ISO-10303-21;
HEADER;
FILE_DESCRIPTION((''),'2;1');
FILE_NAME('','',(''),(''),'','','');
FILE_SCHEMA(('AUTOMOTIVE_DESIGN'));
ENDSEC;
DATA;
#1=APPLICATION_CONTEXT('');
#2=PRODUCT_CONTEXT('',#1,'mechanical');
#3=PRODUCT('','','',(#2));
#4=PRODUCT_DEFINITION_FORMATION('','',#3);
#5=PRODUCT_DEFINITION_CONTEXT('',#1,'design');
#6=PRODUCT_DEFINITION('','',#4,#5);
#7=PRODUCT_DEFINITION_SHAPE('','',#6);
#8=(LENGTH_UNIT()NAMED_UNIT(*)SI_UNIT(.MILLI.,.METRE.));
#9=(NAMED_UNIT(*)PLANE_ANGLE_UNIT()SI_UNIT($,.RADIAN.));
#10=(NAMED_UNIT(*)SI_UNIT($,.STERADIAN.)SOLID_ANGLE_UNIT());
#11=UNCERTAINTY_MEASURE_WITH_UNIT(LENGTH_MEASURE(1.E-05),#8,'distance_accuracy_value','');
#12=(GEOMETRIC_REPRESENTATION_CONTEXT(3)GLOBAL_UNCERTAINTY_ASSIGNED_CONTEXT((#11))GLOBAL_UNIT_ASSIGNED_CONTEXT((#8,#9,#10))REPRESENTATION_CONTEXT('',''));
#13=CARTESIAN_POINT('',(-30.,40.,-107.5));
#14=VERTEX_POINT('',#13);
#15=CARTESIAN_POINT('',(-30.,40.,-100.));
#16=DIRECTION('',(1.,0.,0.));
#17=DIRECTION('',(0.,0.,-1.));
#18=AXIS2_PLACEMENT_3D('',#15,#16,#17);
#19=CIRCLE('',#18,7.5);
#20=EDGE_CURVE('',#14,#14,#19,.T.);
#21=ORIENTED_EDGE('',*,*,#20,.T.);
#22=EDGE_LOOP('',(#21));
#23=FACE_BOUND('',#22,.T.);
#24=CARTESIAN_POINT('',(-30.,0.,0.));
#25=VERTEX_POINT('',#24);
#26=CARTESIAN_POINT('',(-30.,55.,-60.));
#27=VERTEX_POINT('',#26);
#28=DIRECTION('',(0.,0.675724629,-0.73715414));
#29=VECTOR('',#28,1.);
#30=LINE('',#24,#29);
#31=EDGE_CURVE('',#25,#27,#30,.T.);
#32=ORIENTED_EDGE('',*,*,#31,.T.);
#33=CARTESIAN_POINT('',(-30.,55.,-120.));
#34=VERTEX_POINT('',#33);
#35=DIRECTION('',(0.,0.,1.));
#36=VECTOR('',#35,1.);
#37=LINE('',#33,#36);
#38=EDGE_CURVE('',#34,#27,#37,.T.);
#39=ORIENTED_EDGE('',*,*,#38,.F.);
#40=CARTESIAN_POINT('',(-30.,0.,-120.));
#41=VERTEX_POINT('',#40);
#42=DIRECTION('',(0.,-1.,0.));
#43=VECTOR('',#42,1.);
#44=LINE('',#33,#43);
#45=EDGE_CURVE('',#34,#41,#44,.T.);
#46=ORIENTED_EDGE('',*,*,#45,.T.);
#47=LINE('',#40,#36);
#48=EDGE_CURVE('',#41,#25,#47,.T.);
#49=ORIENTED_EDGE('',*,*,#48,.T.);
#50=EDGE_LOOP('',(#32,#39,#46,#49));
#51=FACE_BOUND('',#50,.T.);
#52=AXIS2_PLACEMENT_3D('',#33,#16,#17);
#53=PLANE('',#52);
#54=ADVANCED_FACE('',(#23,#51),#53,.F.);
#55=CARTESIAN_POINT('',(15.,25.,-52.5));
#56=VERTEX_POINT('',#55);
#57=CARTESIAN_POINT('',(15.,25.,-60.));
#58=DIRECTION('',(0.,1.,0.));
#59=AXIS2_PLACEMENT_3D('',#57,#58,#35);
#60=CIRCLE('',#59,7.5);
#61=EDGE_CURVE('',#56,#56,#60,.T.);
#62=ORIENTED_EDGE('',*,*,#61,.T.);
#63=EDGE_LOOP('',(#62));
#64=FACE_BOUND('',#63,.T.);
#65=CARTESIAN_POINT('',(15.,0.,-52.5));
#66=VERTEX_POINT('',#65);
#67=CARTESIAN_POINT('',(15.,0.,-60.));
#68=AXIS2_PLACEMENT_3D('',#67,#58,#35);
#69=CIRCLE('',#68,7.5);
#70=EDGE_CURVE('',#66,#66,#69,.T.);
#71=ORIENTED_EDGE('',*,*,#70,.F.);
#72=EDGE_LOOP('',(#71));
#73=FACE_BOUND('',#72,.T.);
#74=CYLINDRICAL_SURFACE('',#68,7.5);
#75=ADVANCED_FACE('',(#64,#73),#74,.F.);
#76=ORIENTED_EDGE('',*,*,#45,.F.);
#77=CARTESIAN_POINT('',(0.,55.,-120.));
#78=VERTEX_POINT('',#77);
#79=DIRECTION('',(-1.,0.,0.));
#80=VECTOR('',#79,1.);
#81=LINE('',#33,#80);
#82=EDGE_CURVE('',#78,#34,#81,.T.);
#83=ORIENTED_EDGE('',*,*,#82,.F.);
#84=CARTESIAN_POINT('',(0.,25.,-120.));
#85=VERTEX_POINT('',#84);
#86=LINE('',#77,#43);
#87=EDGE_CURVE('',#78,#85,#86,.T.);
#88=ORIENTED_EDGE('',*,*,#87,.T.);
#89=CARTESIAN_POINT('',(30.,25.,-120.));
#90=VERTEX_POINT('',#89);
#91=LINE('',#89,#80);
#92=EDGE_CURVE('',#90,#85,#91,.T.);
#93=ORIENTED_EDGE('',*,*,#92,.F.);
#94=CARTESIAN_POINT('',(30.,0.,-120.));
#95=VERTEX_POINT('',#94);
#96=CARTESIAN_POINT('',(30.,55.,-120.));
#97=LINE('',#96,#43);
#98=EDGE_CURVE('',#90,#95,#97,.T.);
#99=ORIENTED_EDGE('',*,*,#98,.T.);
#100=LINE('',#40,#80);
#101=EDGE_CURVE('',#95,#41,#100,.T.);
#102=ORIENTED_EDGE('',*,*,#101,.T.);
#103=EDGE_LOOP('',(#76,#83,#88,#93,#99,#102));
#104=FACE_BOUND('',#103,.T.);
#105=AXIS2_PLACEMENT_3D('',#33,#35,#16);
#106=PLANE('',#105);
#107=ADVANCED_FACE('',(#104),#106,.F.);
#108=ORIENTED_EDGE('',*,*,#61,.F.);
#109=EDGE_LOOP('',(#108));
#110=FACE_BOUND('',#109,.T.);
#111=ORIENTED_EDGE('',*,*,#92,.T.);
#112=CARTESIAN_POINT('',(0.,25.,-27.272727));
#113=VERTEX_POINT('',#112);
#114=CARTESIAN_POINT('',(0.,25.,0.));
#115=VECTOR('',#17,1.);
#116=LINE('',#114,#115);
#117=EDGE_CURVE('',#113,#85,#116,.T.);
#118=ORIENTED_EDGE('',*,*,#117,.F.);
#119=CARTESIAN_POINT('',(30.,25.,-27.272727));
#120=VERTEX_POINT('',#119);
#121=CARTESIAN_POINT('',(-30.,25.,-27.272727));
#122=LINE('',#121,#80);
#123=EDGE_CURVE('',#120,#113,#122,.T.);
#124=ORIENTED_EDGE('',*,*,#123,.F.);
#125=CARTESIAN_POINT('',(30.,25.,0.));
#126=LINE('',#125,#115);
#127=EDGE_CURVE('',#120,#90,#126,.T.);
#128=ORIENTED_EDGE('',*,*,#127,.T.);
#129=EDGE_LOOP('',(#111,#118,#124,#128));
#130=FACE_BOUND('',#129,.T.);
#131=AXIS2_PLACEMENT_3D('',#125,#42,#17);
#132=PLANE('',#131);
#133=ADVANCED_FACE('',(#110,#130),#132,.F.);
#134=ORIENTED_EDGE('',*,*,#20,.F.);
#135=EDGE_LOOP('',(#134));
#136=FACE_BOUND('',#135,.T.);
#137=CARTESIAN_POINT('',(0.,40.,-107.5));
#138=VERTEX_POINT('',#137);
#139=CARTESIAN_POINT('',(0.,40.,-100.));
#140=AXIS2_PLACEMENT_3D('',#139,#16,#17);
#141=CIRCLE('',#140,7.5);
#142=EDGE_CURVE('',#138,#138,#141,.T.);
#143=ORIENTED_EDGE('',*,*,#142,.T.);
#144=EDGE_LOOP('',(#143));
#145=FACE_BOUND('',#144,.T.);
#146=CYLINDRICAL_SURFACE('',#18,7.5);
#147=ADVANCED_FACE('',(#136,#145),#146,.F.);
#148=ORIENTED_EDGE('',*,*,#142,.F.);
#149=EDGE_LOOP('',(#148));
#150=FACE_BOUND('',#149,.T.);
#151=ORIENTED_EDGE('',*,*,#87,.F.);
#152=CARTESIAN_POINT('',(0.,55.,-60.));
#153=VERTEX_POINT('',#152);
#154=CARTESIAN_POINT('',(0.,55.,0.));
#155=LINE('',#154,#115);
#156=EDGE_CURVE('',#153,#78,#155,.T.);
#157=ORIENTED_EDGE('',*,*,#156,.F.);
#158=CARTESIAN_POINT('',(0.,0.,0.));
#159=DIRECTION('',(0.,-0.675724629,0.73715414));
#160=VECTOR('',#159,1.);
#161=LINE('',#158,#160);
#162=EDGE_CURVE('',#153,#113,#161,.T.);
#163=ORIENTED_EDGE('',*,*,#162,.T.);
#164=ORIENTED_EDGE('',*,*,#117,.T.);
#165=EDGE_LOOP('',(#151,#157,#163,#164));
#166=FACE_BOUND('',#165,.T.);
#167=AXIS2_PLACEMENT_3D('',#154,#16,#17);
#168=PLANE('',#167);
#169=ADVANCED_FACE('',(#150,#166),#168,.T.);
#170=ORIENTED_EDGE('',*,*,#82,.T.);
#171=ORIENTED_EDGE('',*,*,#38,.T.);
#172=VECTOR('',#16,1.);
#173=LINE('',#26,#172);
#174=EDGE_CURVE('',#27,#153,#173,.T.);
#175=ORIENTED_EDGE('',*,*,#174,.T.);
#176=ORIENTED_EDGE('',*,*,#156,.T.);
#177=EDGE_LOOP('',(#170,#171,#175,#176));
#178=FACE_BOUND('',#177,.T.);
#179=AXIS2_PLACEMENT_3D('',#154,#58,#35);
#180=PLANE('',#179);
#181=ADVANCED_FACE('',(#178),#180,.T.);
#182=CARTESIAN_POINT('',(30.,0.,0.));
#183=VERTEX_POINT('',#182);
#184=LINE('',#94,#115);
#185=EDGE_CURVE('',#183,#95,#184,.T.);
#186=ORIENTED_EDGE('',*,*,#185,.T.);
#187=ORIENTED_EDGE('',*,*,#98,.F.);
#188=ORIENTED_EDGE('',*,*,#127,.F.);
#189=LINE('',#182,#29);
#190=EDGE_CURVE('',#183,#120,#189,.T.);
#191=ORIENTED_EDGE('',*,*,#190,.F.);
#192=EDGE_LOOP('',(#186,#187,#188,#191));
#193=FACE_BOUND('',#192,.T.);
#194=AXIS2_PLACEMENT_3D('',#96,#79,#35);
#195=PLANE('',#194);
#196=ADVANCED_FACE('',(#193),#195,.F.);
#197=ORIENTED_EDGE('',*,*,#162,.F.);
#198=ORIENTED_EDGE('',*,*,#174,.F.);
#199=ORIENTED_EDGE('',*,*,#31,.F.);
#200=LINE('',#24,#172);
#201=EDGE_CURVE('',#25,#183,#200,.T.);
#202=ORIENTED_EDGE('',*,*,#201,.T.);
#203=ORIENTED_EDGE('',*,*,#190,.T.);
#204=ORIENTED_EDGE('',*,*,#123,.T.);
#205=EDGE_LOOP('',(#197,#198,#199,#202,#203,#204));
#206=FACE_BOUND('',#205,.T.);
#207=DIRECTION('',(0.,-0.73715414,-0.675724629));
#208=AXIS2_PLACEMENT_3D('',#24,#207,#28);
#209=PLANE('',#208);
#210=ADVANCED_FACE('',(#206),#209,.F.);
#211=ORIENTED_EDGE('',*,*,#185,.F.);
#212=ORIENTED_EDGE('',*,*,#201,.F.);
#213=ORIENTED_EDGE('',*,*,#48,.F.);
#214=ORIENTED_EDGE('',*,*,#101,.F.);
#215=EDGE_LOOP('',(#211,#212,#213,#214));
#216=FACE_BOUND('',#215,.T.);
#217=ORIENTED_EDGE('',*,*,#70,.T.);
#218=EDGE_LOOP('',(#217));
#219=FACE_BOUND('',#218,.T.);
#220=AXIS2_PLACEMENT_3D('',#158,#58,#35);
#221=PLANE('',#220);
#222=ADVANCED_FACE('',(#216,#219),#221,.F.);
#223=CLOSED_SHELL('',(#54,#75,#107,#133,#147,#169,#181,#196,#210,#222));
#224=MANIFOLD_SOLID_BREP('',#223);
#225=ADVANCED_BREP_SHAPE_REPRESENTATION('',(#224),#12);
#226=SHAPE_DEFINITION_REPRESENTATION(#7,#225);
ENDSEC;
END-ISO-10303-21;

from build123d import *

# Parameters (mm, degrees)
SKETCH1_W           = 60
SKETCH1_H           = 120
BOSS_EXTRUDE1_DEPTH = 55
CUT_EXTRUDE1_DEPTH  = 146
SKETCH3_W           = 30
SKETCH3_H           = 30
CUT_EXTRUDE2_DEPTH  = 136.369863707
SKETCH5_R           = 7.5
CUT_EXTRUDE3_DEPTH  = 136.369863707
SKETCH6_R           = 7.5
CUT_EXTRUDE4_DEPTH  = 128.279220614


with BuildPart() as part:
    # Sketch1 → Boss-Extrude1 (new body)
    with BuildSketch(Plane(origin=(0, 0, 0), x_dir=(1, 0, 0), z_dir=(0, 1, 0))):
        with Locations((0, 60)):
            Rectangle(SKETCH1_W, SKETCH1_H)
    extrude(amount=BOSS_EXTRUDE1_DEPTH)

    # Sketch2 → Cut-Extrude1 (cut, through all)
    with BuildSketch(Plane(origin=(30, 0, 0), x_dir=(0, 0, -1), z_dir=(1, 0, 0))):
        Polygon((0, 0), (60, 55), (0, 55), align=None)
    extrude(amount=-CUT_EXTRUDE1_DEPTH, mode=Mode.SUBTRACT)

    # Sketch3 → Cut-Extrude2 (cut, through all)
    with BuildSketch(Plane(origin=(0, 0, -120), x_dir=(-1, 0, 0), z_dir=(0, 0, -1))):
        with Locations((-15, 40)):
            Rectangle(SKETCH3_W, SKETCH3_H)
    extrude(amount=-CUT_EXTRUDE2_DEPTH, mode=Mode.SUBTRACT)

    # Sketch5 → Cut-Extrude3 (cut, through all)
    with BuildSketch(Plane(origin=(0, 0, 0), x_dir=(0, 0, -1), z_dir=(1, 0, 0))):
        with Locations((100, 40)):
            Circle(SKETCH5_R)
    extrude(amount=-CUT_EXTRUDE3_DEPTH, mode=Mode.SUBTRACT)

    # Sketch6 → Cut-Extrude4 (cut, through all)
    with BuildSketch(Plane(origin=(0, 25, 0), x_dir=(1, 0, 0), z_dir=(0, 1, 0))):
        with Locations(Location((15, 60, 0), (0, 0, 270))):
            Circle(SKETCH6_R)
    extrude(amount=-CUT_EXTRUDE4_DEPTH, mode=Mode.SUBTRACT)


solid = part.part
